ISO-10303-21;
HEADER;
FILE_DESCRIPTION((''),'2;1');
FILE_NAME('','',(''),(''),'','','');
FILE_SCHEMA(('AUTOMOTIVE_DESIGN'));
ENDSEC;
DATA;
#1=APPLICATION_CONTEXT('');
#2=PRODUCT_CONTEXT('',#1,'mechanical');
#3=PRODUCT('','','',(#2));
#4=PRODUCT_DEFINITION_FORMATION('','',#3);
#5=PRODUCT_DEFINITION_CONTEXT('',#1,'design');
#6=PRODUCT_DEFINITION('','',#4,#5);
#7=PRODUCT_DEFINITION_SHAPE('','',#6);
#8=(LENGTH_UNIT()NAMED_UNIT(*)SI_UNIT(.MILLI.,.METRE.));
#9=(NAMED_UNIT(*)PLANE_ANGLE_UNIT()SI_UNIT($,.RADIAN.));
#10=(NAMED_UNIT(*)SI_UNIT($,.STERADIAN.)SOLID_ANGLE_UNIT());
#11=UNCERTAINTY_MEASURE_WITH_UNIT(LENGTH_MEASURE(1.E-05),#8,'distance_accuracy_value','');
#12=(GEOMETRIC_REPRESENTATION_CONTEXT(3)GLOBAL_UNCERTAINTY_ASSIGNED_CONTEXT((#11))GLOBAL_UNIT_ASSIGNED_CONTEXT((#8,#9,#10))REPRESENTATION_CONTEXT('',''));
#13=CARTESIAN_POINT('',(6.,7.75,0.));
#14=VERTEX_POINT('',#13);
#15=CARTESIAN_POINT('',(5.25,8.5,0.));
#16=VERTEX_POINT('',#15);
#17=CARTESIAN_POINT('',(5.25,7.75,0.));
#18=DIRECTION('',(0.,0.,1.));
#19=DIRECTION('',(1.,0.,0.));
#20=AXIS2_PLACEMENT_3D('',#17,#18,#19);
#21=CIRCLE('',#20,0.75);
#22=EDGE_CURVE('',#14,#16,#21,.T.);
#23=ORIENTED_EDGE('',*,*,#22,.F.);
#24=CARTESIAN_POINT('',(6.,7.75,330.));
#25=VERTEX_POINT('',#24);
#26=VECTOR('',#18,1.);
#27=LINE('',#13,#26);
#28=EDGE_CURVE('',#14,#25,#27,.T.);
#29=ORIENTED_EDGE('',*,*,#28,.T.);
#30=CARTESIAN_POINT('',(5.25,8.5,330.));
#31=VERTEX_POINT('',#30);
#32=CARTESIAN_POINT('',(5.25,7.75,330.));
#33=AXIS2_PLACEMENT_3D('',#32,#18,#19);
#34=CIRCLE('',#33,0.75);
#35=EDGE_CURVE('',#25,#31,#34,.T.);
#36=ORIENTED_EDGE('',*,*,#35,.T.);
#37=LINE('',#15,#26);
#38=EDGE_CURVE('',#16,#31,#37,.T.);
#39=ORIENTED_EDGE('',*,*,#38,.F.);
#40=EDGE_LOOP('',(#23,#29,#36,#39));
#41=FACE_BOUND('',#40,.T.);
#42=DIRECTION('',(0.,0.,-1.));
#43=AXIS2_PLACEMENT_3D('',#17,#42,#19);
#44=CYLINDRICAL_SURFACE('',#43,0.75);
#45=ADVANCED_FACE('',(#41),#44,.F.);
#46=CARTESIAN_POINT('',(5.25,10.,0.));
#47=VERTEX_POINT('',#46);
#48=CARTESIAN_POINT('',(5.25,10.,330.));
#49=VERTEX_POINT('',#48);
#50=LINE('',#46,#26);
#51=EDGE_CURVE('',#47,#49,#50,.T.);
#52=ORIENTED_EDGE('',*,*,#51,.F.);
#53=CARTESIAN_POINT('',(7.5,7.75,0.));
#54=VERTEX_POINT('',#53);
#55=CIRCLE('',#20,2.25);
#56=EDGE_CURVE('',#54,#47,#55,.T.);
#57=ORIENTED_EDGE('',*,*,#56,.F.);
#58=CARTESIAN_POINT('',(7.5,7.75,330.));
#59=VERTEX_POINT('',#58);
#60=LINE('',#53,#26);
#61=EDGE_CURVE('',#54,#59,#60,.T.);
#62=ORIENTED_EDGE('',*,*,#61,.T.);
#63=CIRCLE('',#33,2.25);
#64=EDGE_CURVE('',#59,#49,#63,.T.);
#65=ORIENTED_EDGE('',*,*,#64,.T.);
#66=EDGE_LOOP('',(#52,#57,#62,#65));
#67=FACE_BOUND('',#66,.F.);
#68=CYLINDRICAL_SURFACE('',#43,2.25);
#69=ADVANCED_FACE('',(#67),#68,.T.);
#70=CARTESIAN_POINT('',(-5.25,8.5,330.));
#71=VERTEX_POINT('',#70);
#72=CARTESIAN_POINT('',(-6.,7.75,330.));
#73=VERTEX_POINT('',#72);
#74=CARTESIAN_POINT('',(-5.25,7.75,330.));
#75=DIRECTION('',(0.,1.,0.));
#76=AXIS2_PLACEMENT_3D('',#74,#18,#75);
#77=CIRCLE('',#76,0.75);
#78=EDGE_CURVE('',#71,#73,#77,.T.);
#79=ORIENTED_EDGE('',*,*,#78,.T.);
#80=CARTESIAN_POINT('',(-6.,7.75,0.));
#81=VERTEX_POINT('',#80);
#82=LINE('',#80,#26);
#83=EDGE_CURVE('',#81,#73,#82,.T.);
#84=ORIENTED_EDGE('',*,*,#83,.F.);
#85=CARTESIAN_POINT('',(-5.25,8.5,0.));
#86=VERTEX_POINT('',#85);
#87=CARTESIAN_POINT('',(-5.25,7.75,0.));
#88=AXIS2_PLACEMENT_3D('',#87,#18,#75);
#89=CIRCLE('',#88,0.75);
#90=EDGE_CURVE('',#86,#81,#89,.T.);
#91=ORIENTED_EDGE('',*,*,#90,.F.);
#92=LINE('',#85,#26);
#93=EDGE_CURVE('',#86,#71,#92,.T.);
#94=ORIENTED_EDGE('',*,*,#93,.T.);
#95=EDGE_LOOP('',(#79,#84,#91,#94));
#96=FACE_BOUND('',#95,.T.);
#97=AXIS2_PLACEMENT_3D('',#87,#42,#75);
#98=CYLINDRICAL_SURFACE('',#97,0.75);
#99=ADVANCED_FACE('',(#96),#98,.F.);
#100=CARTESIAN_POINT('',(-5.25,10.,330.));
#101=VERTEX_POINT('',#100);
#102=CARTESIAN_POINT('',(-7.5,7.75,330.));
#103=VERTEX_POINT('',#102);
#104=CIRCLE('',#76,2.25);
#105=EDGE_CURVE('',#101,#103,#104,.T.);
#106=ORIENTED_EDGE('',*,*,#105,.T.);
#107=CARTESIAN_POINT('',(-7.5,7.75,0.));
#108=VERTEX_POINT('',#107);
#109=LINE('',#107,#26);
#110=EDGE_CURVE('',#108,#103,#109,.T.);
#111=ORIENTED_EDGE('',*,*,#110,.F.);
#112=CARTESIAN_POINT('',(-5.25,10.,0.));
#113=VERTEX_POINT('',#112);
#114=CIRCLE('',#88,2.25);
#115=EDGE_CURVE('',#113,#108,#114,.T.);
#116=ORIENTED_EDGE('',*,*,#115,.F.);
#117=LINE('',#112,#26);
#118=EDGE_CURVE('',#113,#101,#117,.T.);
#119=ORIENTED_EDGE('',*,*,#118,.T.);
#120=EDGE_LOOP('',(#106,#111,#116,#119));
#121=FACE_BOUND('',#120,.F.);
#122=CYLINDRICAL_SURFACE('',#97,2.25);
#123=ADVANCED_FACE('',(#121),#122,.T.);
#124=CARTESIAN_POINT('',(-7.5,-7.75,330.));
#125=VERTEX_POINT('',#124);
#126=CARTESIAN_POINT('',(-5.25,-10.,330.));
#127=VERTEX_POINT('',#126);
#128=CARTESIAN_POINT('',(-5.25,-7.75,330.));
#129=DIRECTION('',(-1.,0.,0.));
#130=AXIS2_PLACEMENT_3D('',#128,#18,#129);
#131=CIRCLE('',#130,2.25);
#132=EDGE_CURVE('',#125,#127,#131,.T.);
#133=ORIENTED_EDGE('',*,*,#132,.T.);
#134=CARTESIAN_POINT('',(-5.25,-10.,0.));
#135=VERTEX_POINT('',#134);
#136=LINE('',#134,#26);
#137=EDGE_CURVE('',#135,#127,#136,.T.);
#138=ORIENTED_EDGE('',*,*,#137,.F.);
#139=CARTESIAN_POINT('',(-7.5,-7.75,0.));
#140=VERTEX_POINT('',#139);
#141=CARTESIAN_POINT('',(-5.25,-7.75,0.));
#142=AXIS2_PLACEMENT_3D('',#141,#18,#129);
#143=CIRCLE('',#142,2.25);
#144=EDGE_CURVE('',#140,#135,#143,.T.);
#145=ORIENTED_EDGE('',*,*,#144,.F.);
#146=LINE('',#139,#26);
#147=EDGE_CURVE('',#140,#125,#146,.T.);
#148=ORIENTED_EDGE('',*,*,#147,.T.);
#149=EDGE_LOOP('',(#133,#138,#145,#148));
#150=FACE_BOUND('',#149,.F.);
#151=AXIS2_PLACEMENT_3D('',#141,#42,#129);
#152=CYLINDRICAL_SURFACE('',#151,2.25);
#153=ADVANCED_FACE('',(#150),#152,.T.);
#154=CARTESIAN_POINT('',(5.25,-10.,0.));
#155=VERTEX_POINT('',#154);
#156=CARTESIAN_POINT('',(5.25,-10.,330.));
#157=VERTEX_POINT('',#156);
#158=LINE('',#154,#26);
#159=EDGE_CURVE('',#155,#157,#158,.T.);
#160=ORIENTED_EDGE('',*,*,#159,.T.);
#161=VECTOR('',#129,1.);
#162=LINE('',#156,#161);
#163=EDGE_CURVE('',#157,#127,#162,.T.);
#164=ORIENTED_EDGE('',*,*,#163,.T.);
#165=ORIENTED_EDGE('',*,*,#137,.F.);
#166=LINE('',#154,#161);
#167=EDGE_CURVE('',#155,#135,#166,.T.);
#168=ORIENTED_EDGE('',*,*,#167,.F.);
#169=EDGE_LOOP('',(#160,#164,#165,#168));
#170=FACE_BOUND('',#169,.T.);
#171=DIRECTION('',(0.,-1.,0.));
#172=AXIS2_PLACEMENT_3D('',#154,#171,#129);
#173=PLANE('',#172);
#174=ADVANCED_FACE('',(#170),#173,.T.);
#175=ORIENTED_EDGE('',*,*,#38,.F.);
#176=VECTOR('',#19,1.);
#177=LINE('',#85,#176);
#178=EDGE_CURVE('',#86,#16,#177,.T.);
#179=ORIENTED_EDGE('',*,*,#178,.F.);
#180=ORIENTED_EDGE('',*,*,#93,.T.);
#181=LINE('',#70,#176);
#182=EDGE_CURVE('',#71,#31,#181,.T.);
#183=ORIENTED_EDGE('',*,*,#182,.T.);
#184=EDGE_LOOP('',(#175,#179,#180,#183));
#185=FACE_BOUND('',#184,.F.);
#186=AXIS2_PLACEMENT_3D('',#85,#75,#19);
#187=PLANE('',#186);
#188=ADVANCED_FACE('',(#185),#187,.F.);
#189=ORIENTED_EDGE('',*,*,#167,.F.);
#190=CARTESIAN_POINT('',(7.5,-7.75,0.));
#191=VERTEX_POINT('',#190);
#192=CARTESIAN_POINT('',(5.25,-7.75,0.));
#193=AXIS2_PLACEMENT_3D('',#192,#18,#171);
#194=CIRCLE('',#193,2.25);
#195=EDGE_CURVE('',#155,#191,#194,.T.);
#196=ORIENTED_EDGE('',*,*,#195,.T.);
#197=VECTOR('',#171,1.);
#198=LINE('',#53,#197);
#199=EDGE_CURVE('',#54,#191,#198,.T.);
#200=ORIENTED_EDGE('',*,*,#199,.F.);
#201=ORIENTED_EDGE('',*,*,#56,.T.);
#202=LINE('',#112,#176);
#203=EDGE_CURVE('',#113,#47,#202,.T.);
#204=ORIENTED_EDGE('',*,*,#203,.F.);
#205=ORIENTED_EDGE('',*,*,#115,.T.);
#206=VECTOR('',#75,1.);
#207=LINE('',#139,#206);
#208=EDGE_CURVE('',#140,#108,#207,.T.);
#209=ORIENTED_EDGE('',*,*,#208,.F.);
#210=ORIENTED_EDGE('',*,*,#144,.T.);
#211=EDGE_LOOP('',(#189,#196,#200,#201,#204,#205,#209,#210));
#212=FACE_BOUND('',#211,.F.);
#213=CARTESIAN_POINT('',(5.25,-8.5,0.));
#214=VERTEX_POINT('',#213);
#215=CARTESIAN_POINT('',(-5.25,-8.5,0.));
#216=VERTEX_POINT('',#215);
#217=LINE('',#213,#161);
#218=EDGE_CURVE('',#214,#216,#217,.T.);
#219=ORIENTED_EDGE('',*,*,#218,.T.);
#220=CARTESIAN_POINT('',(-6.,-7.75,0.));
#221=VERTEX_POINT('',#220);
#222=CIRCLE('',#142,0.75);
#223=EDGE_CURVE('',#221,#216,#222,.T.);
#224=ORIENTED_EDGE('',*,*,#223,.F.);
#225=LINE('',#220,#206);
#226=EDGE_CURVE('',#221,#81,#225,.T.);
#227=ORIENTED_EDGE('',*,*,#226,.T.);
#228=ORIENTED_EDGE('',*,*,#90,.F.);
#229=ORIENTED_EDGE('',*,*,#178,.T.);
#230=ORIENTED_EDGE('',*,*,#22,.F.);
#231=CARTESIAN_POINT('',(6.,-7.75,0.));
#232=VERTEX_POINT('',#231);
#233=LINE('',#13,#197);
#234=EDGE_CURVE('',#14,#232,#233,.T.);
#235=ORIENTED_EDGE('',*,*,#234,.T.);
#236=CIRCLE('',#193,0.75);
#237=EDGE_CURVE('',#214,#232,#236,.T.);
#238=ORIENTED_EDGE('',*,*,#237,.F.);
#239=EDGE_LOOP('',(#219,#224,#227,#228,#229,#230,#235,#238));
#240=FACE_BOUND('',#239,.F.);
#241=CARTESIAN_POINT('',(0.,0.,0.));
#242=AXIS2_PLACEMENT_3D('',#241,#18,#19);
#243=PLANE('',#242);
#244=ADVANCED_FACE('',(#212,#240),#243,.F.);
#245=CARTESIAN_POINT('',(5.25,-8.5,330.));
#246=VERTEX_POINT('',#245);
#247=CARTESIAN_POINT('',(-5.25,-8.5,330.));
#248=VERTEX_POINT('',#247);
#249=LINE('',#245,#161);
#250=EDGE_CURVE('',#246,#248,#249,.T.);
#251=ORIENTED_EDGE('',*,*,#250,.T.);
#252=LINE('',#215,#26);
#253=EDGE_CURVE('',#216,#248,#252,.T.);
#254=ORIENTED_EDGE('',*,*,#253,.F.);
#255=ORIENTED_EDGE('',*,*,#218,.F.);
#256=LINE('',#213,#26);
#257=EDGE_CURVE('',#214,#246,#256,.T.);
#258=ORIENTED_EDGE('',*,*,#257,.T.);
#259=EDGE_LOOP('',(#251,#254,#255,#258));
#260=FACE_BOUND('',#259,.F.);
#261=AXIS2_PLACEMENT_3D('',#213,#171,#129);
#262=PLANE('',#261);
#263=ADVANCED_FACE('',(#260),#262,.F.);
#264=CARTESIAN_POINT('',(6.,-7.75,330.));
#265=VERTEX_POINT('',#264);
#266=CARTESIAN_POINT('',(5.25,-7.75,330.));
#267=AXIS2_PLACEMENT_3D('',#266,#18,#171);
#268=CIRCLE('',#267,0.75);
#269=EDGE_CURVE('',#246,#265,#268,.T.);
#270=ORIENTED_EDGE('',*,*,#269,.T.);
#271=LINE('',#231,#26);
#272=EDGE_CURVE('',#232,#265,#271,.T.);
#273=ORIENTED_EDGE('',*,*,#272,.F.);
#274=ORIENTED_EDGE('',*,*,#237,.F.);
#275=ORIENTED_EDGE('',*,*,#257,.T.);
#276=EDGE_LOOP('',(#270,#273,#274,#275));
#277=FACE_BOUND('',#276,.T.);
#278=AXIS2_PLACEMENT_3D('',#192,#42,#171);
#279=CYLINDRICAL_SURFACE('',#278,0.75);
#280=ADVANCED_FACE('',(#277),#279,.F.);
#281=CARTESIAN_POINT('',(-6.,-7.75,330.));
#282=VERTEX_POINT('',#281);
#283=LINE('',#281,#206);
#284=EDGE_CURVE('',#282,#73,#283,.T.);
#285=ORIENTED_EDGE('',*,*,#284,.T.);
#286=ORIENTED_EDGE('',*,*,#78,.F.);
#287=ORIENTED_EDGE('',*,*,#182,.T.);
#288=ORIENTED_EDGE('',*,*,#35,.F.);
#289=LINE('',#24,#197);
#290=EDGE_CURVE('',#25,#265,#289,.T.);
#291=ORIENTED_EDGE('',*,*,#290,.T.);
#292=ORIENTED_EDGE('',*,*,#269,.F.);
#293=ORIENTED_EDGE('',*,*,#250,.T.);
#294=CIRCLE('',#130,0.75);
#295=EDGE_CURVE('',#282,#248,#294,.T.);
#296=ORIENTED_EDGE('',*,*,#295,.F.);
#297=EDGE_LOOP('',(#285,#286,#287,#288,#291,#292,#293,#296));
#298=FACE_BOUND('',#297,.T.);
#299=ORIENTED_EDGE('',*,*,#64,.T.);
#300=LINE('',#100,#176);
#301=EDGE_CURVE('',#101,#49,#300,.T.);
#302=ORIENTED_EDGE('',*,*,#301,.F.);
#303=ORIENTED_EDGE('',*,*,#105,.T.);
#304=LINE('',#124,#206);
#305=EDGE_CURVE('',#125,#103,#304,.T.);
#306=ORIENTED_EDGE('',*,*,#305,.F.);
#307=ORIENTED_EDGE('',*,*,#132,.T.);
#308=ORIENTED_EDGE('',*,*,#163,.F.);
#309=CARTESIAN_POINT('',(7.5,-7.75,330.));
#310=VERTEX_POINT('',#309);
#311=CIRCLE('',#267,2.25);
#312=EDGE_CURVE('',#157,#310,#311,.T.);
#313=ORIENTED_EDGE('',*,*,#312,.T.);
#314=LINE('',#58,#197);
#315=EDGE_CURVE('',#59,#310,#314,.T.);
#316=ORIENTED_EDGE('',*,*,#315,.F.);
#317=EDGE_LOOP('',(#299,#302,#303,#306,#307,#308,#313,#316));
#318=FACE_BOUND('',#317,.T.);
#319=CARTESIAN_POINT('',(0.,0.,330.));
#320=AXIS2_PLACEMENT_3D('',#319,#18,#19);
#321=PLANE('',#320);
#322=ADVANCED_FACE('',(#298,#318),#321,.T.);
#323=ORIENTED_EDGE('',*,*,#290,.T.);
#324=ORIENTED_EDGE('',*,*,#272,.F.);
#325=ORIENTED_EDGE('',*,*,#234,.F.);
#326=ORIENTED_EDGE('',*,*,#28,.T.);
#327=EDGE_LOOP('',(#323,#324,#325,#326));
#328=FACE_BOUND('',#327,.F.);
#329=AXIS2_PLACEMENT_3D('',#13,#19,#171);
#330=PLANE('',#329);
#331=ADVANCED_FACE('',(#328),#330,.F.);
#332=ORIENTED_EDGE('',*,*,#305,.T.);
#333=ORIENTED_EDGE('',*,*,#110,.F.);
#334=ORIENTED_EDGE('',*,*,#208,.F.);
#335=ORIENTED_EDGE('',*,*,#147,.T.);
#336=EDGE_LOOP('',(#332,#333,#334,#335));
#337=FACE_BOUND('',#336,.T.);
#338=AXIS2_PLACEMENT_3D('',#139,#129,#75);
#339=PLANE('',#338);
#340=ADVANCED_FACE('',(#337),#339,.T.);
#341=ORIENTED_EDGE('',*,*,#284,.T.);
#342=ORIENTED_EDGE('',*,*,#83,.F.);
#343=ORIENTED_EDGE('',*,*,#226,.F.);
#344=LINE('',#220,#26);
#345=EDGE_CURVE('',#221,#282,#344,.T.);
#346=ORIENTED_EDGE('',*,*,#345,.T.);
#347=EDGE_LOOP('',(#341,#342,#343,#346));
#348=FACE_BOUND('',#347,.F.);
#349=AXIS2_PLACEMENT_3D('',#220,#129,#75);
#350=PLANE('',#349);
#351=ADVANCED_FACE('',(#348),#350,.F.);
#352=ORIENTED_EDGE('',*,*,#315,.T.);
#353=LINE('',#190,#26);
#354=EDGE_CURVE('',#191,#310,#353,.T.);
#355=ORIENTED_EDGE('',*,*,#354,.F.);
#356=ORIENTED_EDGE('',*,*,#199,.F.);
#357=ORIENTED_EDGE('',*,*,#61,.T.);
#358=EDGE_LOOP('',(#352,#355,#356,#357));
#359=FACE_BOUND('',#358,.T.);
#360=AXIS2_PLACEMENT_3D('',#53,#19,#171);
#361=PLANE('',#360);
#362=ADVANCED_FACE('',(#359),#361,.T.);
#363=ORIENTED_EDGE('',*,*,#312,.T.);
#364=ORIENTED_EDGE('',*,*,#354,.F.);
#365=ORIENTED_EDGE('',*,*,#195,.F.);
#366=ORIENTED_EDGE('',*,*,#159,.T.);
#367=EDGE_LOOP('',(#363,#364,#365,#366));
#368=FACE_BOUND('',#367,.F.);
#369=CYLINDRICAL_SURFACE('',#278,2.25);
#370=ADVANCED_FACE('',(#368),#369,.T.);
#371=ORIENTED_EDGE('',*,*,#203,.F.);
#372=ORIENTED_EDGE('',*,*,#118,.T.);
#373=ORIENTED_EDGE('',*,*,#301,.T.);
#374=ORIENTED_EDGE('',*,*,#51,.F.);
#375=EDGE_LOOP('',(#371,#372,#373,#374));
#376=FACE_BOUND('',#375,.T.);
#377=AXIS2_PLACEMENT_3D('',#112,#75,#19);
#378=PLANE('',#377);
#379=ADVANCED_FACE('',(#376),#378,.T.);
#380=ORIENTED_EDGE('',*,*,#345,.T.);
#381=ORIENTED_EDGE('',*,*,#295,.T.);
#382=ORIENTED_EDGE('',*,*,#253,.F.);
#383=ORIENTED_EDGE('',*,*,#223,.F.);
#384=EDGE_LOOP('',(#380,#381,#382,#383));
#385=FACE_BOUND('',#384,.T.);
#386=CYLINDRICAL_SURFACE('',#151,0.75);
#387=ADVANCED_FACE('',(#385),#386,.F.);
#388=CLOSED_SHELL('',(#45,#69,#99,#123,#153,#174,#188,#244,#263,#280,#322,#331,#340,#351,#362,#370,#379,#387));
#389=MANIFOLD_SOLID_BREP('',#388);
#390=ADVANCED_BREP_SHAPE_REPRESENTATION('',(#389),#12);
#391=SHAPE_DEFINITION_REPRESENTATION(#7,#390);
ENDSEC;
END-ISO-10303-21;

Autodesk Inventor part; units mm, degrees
ref_plane "Start plane" through (0, 0, 0) normal (0, 0, 1) x (1, 0, 0)
ref_plane "End plane" through (0, 0, 330) normal (0, 0, 1) x (1, 0, 0)
sketch "Sketch" plane through (0, 0, 0) normal (0, 0, 1) x (1, 0, 0)
  line L0 (-7.5, -7.75) -> (-7.5, 7.75)
  line L1 (-5.25, 10) -> (5.25, 10)
  line L2 (7.5, 7.75) -> (7.5, -7.75)
  line L3 (5.25, -10) -> (-5.25, -10)
  arc A0 (-7.5, -7.75) -> (-5.25, -10) centre (-5.25, -7.75) ccw
  arc A1 (-5.25, 10) -> (-7.5, 7.75) centre (-5.25, 7.75) ccw
  arc A2 (7.5, 7.75) -> (5.25, 10) centre (5.25, 7.75) ccw
  arc A3 (5.25, -10) -> (7.5, -7.75) centre (5.25, -7.75) ccw
  arc A4 (-5.25, 8.5) -> (-6, 7.75) centre (-5.25, 7.75) ccw
  line L4 (-5.25, 8.5) -> (5.25, 8.5)
  arc A5 (6, 7.75) -> (5.25, 8.5) centre (5.25, 7.75) ccw
  line L5 (6, 7.75) -> (6, -7.75)
  arc A6 (5.25, -8.5) -> (6, -7.75) centre (5.25, -7.75) ccw
  line L6 (5.25, -8.5) -> (-5.25, -8.5)
  arc A7 (-6, -7.75) -> (-5.25, -8.5) centre (-5.25, -7.75) ccw
  line L7 (-6, -7.75) -> (-6, 7.75)
  line L8 (0, 14.6524) -> (0, -14.6524) construction
  line L9 (-11.5592, 0) -> (13.5932, 0) construction
  dimension "d7" = 2.25
  dimension "d10" = 20
  dimension "d11" = 15
  dimension "d12" = 1.5
  dimension "d15" = 10
  dimension "d16" = 7.5
extrude "Body" add sketch "Sketch" along normal up to surface (330 mm away) from surface at 0
sketch "Sketch3" plane through (0, 0, 0) normal (0, 0, 1) x (1, 0, 0)
  line L0 (0, 0) -> (10, 0)
ref_plane "Work Plane3" through (0, 0, 0) normal (0, -1, 0) x (1, 0, 0)
sketch "Sketch4" plane through (0, 0, 0) normal (0, -1, 0) x (1, 0, 0)
  line L0 (-2, 0) -> (12, 0)
  line L1 (-2, 330) -> (12, 330)
  dimension "d18" = 330
ref_plane "Work Plane4" through (39.5, -55, 0) normal (0, 0, -1) x (-1, 0, 0)
split "Split1" plane through (39.5, -55, 0) removes the side toward (0, 0, -1)
ref_plane "Work Plane5" through (-4.5, -55, 330) normal (0, 0, 1) x (1, 0, 0)
split "Split2" plane through (-4.5, -55, 330) removes the side toward (0, 0, 1)
equation "\"d7\" = G_IR"
equation "\"d10\" = G_H"
equation "\"d11\" = G_W"
equation "\"d12\" = G_T"
equation "\"d15\" = 0.5 * d10"
equation "\"d16\" = 0.5 * d11"
equation "\"d3\" = G_L"
equation "\"G_W\" = 15"
equation "\"G_H\" = 20"
equation "\"G_T\" = 1.5"
equation "\"G_IR\" = 2.25"
equation "\"G_L\" = d18"
equation "\"G_OFFSET_START\" = 0"
equation "\"G_OFFSET_END\" = -40"
equation "\"d14\" = G_OFFSET_END + B_L"
equation "\"B_L\" = 370"
properties part number "UNI EN 10305-5 - 20 x 15 x 1,5  - 330" material "Steel, Mild"
